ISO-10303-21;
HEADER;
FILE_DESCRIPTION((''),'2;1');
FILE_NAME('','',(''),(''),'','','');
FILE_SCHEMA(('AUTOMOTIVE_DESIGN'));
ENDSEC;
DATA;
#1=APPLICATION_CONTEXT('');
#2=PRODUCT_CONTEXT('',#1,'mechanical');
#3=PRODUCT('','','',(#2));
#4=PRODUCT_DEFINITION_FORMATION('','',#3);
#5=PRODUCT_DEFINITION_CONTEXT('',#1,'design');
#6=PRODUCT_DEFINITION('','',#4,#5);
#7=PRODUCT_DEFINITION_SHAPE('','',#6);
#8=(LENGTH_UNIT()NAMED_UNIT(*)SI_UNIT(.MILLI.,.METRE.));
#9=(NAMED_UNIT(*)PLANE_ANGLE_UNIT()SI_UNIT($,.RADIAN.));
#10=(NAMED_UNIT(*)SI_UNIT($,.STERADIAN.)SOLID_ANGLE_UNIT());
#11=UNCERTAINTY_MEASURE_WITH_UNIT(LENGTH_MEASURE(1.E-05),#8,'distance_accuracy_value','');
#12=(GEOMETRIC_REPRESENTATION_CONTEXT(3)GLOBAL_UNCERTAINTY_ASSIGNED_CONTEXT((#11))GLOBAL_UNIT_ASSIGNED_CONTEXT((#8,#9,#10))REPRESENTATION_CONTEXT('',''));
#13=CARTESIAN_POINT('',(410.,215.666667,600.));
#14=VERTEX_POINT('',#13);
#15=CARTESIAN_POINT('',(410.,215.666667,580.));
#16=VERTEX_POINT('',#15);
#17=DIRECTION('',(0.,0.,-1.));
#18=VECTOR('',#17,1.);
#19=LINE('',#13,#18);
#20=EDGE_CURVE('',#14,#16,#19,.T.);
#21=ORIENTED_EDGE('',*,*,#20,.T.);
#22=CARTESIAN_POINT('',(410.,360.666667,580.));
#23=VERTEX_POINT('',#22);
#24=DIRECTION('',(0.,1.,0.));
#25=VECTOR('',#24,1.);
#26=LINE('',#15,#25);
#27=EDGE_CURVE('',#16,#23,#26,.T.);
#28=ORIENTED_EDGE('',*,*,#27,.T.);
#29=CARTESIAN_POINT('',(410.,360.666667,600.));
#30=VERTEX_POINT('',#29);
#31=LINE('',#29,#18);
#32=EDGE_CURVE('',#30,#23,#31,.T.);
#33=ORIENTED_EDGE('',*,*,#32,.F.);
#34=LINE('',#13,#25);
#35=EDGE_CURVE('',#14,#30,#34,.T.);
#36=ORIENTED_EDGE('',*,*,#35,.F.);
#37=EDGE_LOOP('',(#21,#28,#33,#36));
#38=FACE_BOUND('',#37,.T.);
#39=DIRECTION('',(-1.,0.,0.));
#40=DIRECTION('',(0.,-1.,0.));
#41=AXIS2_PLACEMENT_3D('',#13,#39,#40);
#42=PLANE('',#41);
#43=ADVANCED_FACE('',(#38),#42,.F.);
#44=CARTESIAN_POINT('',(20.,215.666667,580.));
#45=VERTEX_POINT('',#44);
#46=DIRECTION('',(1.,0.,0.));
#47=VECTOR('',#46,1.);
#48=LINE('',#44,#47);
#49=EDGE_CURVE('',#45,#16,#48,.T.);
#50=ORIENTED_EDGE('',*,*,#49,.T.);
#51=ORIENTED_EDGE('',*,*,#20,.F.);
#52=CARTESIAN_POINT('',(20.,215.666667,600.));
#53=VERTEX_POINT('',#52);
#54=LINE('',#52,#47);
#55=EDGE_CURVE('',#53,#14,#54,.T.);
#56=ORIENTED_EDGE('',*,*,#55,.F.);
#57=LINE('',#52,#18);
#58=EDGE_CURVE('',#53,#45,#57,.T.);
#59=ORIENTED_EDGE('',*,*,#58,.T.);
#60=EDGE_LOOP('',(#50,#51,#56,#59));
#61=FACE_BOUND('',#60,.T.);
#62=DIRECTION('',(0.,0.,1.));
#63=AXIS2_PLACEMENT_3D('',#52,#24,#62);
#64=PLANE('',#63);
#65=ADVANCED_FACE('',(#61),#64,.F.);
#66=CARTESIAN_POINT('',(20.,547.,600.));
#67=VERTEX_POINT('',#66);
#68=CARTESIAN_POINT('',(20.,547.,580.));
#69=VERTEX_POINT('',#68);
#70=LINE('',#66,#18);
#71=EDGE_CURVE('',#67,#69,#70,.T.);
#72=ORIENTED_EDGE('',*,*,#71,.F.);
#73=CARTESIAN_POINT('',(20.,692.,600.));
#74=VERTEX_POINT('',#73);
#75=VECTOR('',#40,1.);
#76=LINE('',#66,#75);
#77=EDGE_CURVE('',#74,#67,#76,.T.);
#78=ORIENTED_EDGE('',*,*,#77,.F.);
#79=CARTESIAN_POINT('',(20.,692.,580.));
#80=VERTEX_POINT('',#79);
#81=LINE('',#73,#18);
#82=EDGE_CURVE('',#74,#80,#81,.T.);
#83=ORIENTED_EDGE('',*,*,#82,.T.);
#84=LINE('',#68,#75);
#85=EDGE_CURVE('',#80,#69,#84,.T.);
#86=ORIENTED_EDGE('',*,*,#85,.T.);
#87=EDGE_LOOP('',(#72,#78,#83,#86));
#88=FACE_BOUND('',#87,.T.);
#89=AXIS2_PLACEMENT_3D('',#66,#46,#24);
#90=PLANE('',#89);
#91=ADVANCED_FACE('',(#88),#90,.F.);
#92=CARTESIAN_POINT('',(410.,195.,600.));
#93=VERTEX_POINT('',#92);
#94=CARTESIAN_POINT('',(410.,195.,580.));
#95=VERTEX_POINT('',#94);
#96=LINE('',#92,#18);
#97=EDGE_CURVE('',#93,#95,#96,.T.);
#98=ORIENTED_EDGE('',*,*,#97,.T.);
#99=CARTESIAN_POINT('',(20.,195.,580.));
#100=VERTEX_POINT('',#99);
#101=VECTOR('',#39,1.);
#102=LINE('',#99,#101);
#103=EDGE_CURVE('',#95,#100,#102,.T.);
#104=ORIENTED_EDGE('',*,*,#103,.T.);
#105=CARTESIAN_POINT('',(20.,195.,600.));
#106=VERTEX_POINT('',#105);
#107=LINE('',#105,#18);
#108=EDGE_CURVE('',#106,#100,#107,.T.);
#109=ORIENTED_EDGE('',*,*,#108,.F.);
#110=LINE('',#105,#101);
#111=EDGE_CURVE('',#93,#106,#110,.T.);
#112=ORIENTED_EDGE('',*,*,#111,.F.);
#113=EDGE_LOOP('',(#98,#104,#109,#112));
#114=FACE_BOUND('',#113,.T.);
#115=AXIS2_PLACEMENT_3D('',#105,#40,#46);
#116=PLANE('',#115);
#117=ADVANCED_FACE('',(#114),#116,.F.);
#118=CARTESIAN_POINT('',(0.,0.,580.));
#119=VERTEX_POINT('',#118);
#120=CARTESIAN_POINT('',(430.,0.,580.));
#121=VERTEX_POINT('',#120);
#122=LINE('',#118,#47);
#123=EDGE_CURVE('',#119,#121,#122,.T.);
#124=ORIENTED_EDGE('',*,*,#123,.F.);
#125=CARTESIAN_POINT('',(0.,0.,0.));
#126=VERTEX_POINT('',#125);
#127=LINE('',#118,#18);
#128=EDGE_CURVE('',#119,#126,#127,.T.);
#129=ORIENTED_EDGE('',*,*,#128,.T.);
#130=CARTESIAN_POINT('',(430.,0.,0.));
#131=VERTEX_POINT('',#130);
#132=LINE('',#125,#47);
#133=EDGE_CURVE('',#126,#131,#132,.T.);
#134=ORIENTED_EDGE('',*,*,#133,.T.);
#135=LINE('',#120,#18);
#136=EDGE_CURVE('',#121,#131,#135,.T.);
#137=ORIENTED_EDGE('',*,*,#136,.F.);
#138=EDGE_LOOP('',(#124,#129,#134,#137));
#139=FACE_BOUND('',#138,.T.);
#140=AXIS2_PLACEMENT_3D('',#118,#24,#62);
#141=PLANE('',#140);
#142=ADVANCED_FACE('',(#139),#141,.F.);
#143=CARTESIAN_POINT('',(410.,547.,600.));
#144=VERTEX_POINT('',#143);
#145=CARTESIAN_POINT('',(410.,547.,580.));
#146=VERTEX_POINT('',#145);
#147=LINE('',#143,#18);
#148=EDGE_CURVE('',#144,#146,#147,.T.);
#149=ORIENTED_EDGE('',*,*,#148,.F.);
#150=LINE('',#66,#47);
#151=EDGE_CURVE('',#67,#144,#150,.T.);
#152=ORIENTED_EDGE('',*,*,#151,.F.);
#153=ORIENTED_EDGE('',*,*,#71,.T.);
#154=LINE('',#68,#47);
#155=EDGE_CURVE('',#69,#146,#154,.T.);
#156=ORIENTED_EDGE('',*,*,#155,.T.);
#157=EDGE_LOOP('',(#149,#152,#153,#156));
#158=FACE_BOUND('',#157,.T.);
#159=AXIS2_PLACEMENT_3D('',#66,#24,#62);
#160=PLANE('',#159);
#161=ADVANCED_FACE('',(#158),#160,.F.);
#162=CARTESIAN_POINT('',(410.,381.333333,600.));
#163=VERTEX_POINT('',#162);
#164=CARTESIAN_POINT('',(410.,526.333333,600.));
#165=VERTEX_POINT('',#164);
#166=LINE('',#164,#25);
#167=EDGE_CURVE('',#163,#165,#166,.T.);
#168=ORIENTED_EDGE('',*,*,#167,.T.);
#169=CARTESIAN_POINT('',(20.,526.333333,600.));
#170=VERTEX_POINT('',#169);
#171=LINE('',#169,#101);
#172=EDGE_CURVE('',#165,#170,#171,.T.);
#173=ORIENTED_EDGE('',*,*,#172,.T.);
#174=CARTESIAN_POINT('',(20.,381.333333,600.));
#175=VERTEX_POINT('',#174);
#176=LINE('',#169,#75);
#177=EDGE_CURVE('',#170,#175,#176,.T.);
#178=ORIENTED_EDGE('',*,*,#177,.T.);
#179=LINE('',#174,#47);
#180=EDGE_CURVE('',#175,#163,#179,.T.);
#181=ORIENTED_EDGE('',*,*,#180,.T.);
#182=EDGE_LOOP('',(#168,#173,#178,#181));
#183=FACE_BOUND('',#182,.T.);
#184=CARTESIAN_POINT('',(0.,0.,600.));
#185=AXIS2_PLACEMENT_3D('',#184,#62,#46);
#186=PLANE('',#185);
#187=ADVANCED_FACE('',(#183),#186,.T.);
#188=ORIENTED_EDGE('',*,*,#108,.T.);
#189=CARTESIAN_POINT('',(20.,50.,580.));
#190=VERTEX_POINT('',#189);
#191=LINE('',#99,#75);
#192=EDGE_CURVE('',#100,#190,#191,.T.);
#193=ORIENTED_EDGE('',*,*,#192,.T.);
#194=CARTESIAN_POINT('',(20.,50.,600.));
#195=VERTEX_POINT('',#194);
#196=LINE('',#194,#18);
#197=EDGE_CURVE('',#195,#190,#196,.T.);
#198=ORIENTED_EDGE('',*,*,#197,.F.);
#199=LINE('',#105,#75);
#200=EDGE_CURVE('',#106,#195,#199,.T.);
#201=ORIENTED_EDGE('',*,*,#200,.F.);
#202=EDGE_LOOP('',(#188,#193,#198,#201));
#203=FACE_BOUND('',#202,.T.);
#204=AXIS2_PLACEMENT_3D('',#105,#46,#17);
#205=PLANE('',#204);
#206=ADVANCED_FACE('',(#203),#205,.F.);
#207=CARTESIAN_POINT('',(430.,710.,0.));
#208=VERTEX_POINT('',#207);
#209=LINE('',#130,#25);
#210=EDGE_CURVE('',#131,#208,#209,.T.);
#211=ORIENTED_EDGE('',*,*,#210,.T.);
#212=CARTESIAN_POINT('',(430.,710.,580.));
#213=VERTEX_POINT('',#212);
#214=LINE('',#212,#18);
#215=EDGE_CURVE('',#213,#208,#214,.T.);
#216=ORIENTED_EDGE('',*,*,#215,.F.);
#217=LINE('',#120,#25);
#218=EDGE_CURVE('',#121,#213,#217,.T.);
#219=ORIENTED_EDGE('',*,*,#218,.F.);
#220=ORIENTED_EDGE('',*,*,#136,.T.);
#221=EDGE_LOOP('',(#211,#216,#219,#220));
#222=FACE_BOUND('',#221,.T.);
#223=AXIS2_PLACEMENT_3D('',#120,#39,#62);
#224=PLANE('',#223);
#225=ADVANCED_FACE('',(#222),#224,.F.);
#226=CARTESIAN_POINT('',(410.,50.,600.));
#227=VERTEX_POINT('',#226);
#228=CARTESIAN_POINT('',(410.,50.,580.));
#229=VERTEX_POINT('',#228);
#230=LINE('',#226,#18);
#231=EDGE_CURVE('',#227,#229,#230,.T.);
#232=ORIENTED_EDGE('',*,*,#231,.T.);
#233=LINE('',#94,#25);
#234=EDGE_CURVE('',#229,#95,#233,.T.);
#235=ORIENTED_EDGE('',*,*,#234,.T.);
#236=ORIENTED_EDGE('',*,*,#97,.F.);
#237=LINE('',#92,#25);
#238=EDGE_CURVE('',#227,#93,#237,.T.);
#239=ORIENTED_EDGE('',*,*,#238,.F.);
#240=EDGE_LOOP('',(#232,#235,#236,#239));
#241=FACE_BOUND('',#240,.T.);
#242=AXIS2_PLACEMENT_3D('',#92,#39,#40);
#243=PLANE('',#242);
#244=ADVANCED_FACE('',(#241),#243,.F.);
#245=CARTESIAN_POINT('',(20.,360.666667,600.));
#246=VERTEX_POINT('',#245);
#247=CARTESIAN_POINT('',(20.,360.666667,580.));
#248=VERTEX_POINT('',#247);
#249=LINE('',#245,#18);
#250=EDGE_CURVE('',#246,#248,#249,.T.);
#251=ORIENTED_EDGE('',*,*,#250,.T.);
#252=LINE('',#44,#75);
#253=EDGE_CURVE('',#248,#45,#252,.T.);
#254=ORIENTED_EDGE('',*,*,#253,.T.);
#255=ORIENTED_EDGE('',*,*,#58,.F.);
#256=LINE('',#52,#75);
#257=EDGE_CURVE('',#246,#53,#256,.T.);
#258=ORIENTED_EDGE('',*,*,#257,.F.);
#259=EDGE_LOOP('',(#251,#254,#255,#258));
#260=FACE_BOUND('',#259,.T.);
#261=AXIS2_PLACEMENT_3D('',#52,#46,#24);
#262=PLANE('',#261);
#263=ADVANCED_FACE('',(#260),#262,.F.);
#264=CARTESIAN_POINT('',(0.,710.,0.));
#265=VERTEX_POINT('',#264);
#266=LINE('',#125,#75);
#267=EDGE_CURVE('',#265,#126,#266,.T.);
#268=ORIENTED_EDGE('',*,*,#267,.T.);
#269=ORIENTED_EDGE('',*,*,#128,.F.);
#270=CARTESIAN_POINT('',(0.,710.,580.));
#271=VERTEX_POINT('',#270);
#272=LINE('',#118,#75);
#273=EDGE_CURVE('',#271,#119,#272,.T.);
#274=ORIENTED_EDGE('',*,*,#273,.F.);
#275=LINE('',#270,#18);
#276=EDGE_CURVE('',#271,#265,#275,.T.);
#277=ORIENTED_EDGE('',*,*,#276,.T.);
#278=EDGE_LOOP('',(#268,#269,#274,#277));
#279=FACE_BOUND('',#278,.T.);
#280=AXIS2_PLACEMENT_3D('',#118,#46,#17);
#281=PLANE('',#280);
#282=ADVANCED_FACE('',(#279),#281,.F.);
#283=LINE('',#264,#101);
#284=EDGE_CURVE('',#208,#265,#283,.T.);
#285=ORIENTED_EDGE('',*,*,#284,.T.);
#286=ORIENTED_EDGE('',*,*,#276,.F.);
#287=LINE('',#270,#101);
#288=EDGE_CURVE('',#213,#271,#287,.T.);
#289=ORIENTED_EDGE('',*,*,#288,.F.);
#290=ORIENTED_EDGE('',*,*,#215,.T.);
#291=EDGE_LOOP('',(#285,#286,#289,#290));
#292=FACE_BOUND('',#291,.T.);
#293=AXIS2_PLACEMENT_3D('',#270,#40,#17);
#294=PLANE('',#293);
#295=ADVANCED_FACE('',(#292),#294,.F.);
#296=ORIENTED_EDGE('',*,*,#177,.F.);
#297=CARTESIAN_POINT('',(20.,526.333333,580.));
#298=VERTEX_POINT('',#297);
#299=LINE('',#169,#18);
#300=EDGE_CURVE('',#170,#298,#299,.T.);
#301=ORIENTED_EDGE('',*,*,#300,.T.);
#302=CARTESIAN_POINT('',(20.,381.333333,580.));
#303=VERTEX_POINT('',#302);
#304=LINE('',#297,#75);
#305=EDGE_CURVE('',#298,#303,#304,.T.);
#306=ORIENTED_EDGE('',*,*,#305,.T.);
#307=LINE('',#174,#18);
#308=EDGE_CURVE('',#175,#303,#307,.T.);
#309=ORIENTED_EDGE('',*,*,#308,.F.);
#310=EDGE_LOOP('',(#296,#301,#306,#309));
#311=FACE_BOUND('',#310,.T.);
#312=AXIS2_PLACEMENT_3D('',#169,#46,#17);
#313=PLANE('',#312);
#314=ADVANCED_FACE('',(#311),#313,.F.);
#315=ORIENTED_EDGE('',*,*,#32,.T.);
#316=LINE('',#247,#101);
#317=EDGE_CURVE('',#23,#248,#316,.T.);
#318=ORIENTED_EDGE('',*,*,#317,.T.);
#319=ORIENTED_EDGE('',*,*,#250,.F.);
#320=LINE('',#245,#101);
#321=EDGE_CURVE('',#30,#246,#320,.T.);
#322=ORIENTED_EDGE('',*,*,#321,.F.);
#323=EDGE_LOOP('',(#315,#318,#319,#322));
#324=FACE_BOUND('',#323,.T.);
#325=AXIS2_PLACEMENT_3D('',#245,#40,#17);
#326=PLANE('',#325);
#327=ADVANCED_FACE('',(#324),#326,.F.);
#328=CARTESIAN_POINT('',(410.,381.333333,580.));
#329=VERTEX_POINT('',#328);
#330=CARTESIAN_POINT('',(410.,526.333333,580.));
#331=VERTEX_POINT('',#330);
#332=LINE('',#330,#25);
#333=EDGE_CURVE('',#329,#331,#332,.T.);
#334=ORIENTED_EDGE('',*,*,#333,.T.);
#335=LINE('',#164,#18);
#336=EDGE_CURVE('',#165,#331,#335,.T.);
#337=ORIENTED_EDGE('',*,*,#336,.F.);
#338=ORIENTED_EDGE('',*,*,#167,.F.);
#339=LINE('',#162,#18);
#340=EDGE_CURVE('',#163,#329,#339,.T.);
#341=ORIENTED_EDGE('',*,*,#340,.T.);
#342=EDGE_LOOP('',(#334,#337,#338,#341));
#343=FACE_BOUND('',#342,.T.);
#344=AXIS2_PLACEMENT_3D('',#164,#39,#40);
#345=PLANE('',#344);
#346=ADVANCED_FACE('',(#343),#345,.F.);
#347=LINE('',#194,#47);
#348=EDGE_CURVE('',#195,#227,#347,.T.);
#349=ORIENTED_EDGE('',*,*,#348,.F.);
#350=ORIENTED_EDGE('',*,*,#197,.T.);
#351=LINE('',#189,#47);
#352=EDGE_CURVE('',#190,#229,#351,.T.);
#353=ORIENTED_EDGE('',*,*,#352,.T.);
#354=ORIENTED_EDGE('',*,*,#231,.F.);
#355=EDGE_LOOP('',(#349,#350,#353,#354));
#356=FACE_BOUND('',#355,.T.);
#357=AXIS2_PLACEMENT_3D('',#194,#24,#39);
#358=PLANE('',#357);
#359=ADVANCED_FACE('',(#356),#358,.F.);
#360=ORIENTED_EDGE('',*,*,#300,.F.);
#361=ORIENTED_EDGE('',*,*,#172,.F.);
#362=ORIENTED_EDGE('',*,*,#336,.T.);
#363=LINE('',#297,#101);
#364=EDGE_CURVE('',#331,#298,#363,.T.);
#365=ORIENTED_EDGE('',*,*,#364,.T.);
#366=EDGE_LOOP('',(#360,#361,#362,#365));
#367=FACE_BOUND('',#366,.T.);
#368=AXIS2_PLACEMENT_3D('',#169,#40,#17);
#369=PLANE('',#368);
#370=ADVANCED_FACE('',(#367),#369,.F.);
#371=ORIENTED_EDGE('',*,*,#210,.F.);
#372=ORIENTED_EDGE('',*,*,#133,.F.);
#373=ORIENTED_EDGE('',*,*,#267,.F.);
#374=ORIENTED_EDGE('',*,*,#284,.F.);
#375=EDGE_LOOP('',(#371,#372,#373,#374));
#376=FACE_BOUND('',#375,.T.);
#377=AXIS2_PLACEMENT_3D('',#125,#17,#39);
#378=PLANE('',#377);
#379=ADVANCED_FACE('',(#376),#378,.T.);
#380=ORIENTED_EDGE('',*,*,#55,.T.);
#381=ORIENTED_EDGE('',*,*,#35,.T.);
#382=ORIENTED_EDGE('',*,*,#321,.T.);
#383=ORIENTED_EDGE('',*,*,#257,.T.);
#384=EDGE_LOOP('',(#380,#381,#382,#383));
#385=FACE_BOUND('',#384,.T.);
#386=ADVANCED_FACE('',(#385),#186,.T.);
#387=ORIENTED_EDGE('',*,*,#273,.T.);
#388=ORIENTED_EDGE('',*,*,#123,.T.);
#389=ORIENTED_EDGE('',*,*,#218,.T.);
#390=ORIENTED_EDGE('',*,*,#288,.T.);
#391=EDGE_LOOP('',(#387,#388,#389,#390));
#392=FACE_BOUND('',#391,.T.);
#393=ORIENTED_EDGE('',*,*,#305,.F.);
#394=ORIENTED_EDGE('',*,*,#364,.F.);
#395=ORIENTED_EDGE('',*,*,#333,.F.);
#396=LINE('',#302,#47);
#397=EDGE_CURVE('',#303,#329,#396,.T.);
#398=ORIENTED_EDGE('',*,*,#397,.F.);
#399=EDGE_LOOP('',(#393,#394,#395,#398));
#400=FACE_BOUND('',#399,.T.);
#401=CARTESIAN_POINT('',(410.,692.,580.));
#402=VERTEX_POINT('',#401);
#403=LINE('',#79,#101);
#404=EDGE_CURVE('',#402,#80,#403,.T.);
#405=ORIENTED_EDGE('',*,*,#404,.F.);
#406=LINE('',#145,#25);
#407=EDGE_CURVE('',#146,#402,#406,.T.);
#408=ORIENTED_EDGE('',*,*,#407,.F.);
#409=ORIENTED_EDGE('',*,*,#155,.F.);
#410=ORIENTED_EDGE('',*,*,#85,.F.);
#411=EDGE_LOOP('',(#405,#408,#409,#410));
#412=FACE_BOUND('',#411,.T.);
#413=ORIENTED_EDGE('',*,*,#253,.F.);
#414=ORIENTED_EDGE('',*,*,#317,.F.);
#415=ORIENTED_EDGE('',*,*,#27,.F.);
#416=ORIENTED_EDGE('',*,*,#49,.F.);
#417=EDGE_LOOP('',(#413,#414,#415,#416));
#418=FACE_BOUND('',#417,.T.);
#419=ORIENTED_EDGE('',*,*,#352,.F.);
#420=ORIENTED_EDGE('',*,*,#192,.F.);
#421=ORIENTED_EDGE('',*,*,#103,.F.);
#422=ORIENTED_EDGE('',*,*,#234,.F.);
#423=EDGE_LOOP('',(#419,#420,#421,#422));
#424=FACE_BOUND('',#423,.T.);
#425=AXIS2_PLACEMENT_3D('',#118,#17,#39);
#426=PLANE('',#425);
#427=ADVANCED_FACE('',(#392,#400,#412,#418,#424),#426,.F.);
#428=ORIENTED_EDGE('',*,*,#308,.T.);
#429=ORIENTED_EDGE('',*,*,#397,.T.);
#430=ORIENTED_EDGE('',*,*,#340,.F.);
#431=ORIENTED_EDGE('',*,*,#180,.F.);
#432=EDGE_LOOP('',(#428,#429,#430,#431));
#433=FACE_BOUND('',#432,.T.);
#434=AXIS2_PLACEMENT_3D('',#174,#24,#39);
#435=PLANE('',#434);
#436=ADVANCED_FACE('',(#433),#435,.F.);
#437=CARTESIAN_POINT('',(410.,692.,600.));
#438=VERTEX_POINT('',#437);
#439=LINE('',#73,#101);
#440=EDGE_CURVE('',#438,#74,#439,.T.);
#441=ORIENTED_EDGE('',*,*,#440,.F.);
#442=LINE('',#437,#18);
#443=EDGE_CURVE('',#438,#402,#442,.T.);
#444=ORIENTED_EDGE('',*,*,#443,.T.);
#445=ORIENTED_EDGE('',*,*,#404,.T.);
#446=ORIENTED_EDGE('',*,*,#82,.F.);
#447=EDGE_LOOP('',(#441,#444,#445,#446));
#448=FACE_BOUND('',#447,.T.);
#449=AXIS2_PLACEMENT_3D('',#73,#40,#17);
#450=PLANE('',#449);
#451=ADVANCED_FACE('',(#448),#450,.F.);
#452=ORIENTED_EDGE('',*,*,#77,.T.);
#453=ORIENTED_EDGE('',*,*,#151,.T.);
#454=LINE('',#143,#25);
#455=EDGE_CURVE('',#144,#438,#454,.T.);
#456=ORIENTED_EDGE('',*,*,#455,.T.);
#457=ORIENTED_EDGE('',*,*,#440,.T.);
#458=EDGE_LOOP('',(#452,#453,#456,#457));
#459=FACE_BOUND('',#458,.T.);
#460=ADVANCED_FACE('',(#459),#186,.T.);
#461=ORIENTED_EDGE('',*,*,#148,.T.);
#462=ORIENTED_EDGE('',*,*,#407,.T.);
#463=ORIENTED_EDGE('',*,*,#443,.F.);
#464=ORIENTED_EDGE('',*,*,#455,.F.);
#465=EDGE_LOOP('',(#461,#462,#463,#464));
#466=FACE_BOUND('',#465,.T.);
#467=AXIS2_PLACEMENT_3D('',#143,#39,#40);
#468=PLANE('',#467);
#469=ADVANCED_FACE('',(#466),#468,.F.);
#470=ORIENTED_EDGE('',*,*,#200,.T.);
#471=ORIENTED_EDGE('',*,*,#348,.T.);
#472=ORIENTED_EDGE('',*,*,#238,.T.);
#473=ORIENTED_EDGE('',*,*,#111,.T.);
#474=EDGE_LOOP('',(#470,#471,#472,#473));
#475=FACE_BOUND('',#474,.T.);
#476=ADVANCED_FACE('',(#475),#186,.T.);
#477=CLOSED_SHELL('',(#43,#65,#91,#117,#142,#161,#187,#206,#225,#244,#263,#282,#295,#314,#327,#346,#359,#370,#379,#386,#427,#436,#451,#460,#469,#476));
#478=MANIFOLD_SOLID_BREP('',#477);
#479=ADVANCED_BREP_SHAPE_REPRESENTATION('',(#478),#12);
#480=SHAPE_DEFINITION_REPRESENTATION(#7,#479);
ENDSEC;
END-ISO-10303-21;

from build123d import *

# Parameters (mm, degrees)
ESQUISSE1_W        = 430
ESQUISSE1_H        = 710
BOSS_EXTRU_1_DEPTH = 580
ESQUISSE2_W        = 390
ESQUISSE2_H        = 145
BOSS_EXTRU_2_DEPTH = 20


with BuildPart() as part:
    # Esquisse1 → Boss.-Extru.1 (new body)
    with BuildSketch(Plane.XY):
        with Locations((215, 355)):
            Rectangle(ESQUISSE1_W, ESQUISSE1_H)
    extrude(amount=BOSS_EXTRU_1_DEPTH)

    # Esquisse2 → Boss.-Extru.2 (add)
    with BuildSketch(Plane.XY.offset(580)):
        with Locations((215, 453.833333333)):
            Rectangle(ESQUISSE2_W, ESQUISSE2_H)
        with Locations((215, 619.5)):
            Rectangle(ESQUISSE2_W, ESQUISSE2_H)
        with Locations((215, 122.5)):
            Rectangle(ESQUISSE2_W, ESQUISSE2_H)
        with Locations((215, 288.166666667)):
            Rectangle(ESQUISSE2_W, ESQUISSE2_H)
    extrude(amount=BOSS_EXTRU_2_DEPTH)


solid = part.part
